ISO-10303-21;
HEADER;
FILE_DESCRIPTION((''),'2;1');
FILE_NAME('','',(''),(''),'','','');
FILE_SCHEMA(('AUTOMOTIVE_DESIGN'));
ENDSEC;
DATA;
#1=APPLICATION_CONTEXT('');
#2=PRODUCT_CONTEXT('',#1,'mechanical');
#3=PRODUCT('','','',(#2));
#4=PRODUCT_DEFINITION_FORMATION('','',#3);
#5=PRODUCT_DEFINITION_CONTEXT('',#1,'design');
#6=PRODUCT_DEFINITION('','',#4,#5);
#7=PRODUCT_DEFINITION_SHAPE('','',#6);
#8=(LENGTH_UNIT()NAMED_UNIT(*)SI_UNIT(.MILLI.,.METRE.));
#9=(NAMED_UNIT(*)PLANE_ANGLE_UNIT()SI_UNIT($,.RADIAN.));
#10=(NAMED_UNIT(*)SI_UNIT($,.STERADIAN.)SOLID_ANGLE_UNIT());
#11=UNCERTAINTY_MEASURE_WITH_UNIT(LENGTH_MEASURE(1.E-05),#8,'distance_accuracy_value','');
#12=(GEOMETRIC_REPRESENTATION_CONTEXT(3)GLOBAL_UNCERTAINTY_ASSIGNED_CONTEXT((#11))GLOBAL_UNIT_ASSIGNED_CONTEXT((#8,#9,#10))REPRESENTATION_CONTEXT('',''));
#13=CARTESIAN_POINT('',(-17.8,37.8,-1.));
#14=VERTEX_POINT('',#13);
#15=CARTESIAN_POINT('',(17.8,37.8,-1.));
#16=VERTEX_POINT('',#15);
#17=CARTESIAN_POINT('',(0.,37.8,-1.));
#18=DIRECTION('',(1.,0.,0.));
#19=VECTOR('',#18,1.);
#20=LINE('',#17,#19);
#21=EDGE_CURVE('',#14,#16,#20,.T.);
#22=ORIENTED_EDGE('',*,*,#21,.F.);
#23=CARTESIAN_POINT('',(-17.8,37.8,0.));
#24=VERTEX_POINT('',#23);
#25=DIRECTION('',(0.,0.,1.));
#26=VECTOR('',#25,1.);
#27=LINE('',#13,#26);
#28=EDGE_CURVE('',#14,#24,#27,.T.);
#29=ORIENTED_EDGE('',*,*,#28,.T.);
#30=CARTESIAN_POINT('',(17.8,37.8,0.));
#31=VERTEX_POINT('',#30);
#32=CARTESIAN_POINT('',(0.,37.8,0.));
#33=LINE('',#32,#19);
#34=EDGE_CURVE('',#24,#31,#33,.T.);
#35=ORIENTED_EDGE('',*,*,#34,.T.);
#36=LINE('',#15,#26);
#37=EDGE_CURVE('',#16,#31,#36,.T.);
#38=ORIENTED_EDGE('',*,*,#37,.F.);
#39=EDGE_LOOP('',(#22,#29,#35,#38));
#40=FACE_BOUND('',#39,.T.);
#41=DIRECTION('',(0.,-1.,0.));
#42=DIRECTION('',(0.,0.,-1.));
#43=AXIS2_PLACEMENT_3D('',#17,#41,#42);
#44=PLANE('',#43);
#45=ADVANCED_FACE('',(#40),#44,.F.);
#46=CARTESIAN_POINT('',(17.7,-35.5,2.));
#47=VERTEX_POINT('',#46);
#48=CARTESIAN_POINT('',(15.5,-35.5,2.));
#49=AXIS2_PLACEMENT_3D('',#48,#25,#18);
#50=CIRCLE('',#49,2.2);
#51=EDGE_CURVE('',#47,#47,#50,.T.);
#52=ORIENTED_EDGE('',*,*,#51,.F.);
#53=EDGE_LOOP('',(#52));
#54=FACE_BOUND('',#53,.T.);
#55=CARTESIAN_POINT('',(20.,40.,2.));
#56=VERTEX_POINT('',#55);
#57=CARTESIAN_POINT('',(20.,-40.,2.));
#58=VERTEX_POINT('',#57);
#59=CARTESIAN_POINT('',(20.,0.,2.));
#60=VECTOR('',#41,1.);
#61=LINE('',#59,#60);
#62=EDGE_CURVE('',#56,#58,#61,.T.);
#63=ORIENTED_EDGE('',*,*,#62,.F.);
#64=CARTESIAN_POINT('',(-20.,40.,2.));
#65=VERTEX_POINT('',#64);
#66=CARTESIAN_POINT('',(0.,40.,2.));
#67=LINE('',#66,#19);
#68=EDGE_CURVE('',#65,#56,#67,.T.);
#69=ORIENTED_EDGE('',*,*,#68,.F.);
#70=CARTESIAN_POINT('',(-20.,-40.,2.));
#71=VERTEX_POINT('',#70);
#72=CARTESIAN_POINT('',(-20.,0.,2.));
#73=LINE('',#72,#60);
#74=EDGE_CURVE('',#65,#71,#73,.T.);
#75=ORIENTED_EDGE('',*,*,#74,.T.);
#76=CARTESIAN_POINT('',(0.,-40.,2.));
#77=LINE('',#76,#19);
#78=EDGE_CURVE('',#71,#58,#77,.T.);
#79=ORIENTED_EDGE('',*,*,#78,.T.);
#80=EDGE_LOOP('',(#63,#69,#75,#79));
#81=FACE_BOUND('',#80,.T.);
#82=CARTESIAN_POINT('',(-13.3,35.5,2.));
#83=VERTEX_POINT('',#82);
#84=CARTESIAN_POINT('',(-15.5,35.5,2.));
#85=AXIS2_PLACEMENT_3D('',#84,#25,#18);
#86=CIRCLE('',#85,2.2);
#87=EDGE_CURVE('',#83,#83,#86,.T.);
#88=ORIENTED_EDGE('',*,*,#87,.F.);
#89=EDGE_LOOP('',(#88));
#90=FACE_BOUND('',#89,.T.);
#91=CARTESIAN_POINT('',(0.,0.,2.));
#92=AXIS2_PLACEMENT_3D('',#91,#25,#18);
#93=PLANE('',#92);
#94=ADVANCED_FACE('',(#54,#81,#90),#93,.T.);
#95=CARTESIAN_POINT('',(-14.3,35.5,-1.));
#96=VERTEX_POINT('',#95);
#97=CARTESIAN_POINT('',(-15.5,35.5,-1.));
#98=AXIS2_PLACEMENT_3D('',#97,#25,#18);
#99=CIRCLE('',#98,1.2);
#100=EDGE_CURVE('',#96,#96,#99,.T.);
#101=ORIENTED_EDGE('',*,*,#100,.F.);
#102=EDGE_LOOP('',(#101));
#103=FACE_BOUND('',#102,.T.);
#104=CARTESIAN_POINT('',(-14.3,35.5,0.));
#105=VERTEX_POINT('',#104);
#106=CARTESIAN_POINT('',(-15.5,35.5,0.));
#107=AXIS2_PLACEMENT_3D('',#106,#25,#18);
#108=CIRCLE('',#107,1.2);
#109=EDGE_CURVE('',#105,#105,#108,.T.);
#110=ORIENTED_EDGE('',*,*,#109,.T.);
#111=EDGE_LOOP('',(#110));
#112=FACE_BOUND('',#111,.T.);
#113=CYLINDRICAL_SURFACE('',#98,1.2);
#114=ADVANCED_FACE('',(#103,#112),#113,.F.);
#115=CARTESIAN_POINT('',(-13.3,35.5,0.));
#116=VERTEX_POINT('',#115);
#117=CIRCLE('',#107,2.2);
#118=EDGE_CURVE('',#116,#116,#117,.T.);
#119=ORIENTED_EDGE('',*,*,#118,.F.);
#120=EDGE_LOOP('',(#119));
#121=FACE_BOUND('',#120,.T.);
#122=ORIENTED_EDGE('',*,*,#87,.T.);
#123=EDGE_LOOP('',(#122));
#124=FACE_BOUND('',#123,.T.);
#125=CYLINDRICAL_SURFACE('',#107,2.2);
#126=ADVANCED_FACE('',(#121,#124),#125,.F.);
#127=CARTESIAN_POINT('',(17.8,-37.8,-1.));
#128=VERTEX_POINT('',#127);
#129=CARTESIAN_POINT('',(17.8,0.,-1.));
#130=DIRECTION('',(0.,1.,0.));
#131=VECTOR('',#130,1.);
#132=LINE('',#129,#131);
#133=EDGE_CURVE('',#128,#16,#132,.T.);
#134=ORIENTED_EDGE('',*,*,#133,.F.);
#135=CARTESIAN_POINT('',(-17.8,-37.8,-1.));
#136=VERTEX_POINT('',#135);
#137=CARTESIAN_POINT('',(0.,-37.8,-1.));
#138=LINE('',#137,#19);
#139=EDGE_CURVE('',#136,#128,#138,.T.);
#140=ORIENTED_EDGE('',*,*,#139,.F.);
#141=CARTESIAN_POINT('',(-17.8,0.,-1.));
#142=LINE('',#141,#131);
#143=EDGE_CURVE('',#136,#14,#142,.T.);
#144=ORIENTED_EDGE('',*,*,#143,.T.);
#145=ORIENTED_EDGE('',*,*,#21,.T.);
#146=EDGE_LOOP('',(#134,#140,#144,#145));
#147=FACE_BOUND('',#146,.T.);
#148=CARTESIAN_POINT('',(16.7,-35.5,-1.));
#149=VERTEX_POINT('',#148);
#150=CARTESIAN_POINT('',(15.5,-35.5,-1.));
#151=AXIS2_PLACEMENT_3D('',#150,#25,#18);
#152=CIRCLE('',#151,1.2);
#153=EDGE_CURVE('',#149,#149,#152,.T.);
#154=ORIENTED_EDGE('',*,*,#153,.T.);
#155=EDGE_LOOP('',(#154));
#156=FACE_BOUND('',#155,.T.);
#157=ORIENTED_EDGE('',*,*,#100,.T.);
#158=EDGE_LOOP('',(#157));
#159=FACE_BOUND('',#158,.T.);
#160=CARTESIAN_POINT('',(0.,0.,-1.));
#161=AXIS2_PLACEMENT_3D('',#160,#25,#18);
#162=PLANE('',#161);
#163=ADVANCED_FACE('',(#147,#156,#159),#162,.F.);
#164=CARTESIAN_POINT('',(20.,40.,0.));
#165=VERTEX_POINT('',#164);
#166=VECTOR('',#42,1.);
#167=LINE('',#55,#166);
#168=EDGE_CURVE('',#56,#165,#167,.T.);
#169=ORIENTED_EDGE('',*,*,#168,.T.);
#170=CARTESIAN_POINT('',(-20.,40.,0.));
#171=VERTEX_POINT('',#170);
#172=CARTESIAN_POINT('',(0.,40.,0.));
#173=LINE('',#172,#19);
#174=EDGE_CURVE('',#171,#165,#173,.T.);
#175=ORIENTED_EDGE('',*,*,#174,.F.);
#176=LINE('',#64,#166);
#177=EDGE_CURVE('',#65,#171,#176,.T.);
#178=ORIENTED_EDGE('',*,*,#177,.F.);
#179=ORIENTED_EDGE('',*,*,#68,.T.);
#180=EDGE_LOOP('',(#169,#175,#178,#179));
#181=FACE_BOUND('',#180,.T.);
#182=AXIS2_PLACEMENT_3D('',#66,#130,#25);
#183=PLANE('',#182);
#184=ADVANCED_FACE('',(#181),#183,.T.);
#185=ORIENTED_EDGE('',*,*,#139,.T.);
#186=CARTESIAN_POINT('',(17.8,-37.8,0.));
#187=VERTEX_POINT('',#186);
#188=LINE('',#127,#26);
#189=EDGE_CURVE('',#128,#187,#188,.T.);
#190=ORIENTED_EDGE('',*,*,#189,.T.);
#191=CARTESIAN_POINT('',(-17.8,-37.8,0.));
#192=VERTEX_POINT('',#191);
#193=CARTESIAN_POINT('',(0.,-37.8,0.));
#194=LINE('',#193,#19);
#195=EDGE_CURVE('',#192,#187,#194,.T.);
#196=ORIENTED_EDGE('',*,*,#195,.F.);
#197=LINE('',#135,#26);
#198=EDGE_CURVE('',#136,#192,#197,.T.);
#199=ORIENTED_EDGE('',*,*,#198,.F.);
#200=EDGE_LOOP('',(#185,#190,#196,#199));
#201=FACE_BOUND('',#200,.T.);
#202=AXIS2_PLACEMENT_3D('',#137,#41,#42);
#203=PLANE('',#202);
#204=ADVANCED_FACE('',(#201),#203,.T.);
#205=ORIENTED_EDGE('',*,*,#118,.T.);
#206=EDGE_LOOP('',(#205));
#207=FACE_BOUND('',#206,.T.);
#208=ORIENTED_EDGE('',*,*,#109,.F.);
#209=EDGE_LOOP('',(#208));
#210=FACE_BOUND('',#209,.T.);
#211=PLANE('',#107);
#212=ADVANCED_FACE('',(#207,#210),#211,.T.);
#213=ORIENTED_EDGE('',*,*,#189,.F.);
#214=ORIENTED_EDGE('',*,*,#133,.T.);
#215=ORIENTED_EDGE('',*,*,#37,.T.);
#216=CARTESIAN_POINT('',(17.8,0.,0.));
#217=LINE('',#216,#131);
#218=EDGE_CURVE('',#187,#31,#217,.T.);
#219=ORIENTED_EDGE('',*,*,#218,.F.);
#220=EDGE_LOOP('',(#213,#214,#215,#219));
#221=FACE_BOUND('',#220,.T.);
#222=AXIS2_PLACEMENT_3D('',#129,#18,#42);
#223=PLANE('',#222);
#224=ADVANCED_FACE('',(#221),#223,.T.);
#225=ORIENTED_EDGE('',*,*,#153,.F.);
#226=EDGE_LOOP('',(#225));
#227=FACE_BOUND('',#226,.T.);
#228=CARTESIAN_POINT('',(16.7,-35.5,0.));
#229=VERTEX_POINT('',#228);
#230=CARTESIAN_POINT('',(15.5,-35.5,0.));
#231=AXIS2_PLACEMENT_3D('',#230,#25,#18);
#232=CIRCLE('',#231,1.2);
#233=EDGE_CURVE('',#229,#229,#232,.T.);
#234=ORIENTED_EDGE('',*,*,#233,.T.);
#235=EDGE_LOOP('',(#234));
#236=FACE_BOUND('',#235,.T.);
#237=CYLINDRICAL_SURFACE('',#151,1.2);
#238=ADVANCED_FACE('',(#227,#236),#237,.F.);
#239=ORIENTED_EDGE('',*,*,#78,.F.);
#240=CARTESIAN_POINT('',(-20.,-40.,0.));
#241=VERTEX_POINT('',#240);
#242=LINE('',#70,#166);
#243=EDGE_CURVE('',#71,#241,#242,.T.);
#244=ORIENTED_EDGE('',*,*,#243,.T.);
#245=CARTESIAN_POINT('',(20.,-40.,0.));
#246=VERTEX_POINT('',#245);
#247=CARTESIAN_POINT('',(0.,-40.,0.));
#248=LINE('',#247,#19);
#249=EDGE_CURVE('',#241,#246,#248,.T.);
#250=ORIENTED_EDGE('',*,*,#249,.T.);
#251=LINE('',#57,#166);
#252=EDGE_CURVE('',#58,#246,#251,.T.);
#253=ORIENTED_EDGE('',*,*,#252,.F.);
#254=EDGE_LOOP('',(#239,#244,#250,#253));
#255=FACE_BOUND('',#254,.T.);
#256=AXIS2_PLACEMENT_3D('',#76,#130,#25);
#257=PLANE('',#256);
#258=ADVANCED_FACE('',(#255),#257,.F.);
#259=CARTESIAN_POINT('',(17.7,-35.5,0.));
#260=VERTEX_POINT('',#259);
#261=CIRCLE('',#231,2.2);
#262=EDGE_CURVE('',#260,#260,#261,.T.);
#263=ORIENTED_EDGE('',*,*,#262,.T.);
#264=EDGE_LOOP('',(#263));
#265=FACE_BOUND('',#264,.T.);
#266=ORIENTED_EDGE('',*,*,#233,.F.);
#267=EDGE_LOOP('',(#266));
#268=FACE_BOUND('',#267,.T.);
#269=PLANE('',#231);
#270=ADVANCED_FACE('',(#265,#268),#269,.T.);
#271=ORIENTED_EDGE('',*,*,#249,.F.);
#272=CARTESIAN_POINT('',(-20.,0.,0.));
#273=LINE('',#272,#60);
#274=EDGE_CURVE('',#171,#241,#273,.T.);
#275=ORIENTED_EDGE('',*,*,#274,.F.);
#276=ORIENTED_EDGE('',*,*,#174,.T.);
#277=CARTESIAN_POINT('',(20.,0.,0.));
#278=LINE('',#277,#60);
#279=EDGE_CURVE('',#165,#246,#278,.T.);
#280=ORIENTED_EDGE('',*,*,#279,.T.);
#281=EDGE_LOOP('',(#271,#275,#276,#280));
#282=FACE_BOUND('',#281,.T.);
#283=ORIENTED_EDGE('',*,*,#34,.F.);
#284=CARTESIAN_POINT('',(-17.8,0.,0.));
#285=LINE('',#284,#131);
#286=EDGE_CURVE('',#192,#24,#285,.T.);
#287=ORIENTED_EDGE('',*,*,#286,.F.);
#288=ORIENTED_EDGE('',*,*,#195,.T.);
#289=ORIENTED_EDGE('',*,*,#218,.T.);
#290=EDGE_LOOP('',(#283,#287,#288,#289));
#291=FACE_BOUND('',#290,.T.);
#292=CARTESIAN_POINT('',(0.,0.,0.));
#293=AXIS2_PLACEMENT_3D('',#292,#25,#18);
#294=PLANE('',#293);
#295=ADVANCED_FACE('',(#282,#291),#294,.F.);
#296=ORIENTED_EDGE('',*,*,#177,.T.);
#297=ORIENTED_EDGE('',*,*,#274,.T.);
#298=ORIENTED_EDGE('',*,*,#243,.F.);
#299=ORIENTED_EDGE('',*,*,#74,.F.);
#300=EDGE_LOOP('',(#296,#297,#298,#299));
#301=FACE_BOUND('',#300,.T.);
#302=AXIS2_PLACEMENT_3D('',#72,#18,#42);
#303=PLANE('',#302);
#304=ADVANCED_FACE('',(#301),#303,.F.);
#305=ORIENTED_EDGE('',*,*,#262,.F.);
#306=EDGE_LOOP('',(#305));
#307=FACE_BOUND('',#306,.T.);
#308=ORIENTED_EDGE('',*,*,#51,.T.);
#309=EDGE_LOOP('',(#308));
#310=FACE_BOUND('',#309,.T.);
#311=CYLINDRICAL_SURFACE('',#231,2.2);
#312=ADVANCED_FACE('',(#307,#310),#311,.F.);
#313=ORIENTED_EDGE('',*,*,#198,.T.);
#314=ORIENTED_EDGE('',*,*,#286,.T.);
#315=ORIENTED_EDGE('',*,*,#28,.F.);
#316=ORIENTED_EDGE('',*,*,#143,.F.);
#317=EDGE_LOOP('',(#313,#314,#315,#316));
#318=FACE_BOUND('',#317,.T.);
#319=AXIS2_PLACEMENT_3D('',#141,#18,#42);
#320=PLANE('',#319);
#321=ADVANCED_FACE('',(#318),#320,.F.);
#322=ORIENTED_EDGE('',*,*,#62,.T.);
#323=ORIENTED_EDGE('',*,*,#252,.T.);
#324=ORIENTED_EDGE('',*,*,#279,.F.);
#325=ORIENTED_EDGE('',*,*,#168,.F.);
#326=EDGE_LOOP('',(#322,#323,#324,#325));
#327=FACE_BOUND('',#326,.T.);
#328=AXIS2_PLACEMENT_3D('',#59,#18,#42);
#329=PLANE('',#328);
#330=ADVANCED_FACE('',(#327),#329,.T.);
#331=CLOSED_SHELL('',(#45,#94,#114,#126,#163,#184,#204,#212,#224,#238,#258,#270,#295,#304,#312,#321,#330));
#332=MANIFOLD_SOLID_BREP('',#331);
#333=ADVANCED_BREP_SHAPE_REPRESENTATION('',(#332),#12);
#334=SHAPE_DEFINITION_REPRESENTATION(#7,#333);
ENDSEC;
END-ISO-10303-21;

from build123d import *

# Parameters (mm, degrees)
ESQUISSE1_W             = 40
ESQUISSE1_H             = 80
BOSS_EXTRU_1_DEPTH      = 2
ESQUISSE1_3_W           = 35.6
ESQUISSE1_3_H           = 75.6
BOSS_EXTRU_2_DEPTH      = 1
ESQUISSE2_R             = 1.2
ENL_V_MAT_EXTRU_1_DEPTH = 45.821869662
ESQUISSE2_3_R           = 2.2
ESQUISSE2_3_R_2         = 1.2
ENL_V_MAT_EXTRU_2_DEPTH = 2


with BuildPart() as part:
    # Esquisse1 → Boss.-Extru.1 (new body)
    with BuildSketch(Plane.XY):
        Rectangle(ESQUISSE1_W, ESQUISSE1_H)
    extrude(amount=BOSS_EXTRU_1_DEPTH)

    # Esquisse1<3> → Boss.-Extru.2 (add)
    with BuildSketch(Plane.XY):
        Rectangle(ESQUISSE1_3_W, ESQUISSE1_3_H)
    extrude(amount=-BOSS_EXTRU_2_DEPTH)

    # Esquisse2 → Enlèv. mat.-Extru.1 (cut, through all)
    with BuildSketch(Plane.XY.offset(2)):
        with Locations((-15.5, 35.5)):
            Circle(ESQUISSE2_R)
        with Locations((15.5, -35.5)):
            Circle(ESQUISSE2_R)
    extrude(amount=-ENL_V_MAT_EXTRU_1_DEPTH, mode=Mode.SUBTRACT)

    # Esquisse2<3> → Enlèv. mat.-Extru.2 (cut)
    # profile 1 of 2: a face of its own
    with BuildSketch(Plane.XY.offset(2)):
        with Locations((-15.5, 35.5)):
            Circle(ESQUISSE2_3_R)
        with Locations((-15.5, 35.5)):
            Circle(ESQUISSE2_3_R_2, mode=Mode.SUBTRACT)
    # profile 2 of 2: a face of its own
    with BuildSketch(Plane.XY.offset(2)):
        with Locations((15.5, -35.5)):
            Circle(ESQUISSE2_3_R)
        with Locations((15.5, -35.5)):
            Circle(ESQUISSE2_3_R_2, mode=Mode.SUBTRACT)
    extrude(amount=-ENL_V_MAT_EXTRU_2_DEPTH, mode=Mode.SUBTRACT)


solid = part.part
